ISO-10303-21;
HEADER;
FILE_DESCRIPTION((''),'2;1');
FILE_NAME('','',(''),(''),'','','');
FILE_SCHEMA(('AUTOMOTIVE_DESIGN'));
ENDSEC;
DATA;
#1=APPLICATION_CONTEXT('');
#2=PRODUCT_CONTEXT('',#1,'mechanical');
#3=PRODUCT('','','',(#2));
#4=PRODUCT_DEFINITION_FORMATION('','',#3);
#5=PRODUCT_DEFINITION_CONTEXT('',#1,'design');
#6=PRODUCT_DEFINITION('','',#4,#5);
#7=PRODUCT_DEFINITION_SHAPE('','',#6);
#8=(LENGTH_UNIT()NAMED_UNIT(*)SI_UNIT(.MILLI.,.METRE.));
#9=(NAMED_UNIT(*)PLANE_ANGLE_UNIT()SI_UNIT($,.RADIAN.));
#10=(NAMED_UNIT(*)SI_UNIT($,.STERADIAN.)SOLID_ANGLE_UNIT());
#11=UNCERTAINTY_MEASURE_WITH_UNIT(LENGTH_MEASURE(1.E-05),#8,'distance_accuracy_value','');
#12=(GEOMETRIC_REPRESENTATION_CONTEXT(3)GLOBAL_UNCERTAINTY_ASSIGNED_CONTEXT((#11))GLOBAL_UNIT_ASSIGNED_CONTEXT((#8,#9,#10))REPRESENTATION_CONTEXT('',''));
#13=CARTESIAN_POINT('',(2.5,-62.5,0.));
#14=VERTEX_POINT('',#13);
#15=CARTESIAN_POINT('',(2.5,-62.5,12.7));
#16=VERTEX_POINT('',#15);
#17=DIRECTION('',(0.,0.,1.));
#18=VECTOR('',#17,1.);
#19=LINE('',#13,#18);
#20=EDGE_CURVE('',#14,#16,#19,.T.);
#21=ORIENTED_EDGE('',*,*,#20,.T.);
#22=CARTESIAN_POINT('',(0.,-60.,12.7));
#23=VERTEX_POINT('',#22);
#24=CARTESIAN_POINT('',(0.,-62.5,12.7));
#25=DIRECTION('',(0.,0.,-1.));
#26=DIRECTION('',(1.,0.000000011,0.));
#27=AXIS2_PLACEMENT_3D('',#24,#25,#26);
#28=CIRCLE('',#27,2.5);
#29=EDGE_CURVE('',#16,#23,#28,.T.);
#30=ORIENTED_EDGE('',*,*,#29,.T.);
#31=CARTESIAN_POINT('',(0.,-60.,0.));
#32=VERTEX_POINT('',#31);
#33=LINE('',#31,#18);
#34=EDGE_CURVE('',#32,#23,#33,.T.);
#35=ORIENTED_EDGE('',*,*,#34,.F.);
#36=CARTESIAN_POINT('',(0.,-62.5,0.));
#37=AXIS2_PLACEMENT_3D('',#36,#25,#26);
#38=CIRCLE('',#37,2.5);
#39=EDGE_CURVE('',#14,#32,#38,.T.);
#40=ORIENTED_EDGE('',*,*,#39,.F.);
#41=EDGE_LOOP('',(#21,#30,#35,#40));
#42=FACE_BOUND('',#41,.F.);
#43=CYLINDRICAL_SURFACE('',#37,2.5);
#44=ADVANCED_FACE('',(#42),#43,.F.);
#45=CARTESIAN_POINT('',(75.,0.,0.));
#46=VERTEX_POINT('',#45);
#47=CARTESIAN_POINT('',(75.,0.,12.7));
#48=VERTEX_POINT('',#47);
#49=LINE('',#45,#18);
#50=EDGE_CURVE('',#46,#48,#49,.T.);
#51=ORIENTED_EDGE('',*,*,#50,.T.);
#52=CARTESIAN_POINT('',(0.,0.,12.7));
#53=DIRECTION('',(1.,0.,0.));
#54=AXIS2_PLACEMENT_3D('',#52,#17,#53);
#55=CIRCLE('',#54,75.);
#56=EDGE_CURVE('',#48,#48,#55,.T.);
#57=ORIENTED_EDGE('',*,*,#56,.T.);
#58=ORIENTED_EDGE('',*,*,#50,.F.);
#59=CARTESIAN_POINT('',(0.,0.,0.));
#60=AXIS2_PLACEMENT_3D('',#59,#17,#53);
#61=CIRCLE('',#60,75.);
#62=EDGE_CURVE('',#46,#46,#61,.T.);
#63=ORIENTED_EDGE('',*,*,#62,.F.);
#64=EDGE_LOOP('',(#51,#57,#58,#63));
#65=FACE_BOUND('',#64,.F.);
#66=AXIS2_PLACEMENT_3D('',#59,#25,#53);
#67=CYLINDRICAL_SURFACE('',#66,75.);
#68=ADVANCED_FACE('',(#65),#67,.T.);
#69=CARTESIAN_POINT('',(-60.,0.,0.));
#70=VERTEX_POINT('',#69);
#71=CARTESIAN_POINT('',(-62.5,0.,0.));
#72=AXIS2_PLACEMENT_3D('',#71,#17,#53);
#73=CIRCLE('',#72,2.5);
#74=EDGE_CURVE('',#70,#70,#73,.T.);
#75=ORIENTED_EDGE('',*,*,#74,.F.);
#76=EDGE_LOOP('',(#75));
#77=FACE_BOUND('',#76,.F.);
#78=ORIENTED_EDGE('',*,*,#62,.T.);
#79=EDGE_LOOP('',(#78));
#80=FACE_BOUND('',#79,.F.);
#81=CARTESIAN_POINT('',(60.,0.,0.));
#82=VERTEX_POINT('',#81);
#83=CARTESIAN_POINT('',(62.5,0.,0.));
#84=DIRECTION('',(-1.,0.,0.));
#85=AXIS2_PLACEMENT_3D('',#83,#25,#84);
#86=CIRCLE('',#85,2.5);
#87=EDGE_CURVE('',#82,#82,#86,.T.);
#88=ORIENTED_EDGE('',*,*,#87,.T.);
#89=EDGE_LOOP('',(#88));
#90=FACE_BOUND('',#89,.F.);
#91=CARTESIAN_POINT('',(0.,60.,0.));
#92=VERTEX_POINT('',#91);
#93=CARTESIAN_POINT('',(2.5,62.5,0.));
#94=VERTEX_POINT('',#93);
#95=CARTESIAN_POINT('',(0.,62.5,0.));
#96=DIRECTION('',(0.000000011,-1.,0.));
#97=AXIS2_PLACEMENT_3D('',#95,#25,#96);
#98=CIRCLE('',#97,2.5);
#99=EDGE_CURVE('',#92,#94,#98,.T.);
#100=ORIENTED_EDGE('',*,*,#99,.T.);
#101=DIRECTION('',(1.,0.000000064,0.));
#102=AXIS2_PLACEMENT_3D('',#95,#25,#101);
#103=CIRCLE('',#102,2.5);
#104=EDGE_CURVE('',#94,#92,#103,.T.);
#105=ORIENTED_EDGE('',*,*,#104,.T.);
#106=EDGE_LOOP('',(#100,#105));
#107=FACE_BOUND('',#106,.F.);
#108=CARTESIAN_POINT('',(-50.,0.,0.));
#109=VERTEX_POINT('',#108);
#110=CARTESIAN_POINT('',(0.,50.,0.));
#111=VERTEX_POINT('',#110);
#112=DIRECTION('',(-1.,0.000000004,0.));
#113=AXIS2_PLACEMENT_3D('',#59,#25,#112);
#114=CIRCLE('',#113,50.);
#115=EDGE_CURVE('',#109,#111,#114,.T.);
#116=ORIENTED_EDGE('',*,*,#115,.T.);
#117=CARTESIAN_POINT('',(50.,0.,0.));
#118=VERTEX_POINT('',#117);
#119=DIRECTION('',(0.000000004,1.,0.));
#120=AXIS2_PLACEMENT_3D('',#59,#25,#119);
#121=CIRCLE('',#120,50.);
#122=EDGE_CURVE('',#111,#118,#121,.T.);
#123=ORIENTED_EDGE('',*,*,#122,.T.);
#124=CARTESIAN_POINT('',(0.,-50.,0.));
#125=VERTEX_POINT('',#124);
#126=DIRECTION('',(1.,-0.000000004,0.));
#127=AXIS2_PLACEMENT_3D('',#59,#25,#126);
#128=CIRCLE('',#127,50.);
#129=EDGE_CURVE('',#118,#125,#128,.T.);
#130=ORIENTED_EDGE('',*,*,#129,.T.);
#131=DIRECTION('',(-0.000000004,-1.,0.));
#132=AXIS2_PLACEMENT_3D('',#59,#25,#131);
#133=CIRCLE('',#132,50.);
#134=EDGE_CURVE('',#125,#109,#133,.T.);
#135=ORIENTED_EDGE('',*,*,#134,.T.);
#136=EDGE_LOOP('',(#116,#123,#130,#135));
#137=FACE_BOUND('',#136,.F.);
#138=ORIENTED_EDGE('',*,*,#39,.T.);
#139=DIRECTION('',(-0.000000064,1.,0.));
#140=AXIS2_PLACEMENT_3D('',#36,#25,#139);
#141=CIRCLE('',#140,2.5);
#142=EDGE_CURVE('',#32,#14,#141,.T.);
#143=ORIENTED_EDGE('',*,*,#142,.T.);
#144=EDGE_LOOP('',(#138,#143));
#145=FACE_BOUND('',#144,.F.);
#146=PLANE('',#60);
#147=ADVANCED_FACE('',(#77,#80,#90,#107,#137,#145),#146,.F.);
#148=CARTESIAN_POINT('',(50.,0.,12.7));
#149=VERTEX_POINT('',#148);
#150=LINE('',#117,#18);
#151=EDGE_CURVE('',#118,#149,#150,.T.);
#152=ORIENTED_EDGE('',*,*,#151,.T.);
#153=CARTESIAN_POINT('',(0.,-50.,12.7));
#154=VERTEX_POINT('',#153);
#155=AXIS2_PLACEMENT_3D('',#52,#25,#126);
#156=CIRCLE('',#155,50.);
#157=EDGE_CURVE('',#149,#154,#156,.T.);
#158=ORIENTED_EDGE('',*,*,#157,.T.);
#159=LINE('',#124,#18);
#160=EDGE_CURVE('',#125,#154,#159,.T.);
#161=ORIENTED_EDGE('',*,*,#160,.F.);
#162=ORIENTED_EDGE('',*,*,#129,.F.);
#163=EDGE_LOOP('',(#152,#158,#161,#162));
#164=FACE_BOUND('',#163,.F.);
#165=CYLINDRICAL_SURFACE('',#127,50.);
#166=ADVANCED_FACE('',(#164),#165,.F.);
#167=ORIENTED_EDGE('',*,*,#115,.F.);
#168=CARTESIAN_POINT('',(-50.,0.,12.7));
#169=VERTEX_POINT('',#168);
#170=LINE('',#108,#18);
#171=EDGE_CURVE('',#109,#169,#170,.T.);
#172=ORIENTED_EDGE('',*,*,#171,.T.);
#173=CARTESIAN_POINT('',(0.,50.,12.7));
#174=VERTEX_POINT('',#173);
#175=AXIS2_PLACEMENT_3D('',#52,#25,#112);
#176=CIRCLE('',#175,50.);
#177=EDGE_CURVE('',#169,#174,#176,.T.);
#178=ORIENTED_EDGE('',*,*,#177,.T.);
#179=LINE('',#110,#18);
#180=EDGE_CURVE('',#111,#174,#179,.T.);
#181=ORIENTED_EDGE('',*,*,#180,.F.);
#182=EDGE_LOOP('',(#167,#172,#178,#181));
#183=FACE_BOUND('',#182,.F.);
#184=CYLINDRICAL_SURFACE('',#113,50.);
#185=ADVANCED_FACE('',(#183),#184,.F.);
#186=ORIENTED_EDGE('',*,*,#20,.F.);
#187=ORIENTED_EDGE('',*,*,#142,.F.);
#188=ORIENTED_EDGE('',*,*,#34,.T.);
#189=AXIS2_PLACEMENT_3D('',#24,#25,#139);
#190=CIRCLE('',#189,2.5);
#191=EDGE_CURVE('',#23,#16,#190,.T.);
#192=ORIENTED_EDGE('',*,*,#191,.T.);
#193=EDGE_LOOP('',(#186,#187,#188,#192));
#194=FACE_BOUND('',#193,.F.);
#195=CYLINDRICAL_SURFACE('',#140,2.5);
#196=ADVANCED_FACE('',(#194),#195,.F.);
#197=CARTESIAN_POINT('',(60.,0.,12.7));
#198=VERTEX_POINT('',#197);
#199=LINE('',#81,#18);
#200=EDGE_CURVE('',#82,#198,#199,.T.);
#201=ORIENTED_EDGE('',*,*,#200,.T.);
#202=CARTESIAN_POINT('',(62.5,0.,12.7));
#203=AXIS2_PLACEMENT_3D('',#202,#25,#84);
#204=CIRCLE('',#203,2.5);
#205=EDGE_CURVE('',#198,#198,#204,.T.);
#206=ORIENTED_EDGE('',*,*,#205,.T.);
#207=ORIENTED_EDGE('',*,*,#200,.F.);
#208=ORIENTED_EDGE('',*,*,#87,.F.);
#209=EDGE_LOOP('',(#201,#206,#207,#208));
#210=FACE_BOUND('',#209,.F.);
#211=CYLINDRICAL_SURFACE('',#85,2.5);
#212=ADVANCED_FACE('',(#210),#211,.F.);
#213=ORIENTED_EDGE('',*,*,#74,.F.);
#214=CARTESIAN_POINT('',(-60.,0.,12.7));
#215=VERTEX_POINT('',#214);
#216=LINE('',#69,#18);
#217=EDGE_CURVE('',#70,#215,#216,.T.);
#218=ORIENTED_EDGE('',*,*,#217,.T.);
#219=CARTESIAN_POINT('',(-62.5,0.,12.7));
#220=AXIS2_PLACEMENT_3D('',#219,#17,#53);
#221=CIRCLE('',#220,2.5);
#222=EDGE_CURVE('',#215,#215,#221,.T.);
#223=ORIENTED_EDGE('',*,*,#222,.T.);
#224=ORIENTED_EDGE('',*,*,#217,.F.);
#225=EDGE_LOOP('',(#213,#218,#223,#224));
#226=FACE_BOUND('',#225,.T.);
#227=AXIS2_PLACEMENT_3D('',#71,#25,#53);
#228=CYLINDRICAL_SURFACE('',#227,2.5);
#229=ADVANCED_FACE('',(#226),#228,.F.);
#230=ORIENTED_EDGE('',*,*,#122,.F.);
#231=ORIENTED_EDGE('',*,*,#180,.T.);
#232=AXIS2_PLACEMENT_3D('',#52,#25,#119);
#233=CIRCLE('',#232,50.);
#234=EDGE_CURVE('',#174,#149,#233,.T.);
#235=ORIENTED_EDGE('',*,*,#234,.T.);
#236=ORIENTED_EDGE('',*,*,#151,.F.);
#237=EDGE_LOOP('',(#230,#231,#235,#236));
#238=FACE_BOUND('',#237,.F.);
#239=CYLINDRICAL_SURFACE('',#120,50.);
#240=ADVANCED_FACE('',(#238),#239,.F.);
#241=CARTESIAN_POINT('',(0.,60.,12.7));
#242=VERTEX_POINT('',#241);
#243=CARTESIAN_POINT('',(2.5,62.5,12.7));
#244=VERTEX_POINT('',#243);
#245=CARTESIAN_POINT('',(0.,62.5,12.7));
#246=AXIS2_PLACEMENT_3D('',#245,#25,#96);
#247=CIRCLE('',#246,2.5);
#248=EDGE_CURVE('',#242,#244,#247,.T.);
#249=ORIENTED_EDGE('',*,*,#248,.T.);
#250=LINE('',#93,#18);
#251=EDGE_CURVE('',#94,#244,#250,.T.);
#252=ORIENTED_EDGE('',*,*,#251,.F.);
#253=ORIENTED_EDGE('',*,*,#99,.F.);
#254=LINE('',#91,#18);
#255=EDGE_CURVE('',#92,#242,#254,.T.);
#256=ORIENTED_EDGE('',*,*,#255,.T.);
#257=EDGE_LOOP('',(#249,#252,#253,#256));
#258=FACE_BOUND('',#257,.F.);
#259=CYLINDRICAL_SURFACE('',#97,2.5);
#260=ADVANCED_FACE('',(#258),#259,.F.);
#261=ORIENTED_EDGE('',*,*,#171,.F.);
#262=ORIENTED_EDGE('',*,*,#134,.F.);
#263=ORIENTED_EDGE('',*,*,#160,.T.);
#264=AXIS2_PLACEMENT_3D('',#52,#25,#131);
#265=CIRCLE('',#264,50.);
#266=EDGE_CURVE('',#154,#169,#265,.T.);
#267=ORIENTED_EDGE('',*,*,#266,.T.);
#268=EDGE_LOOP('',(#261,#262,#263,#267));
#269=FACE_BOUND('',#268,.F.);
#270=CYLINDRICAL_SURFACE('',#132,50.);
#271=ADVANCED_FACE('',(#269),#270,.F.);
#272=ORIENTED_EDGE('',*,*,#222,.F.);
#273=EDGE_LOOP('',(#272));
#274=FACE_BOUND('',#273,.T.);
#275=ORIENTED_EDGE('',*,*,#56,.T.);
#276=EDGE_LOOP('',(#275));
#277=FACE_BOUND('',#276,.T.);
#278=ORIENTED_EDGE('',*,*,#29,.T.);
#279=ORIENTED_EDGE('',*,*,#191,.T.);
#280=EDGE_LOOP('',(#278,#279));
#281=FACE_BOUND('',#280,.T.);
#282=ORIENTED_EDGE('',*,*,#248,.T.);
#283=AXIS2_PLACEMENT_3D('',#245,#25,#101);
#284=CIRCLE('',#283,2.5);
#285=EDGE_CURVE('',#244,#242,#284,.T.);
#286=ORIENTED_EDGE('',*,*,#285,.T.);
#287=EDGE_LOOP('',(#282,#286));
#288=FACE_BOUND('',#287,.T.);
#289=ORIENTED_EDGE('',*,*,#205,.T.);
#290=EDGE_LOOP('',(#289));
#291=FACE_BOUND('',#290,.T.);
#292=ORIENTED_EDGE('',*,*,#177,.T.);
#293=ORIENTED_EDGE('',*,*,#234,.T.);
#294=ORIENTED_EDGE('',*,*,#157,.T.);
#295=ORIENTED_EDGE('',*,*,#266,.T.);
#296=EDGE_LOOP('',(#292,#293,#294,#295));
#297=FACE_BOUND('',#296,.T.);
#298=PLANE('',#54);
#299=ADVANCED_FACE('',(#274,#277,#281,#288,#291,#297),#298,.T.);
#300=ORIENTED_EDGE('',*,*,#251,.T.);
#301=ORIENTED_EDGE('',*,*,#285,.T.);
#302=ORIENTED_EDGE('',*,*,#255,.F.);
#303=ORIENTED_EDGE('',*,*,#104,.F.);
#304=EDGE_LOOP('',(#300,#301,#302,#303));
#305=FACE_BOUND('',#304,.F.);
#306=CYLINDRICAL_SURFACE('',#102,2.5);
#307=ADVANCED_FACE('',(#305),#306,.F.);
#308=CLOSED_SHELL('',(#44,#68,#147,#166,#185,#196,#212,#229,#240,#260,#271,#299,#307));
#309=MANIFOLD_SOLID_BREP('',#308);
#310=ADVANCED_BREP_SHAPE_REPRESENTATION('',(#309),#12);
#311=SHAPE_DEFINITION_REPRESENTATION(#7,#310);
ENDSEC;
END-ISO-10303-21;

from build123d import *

# Parameters (mm, degrees)
F0_R     = 75
F0_R_2   = 2.5
F1_DEPTH = 12.7


with BuildPart() as f1:
    # F0 (on Top) → F1 (new body)
    with BuildSketch(Plane.XY):
        Circle(F0_R)
        with BuildLine():
            ThreePointArc((2.5, -62.5), (-1.767767, -64.267767), (0, -60))
            ThreePointArc((0, -60), (1.767767, -60.732233), (2.5, -62.5))
        make_face(mode=Mode.SUBTRACT)
        with Locations((-62.5, 0)):
            Circle(F0_R_2, mode=Mode.SUBTRACT)
        with BuildLine():
            ThreePointArc((0, 50), (35.355339, 35.355339), (50, 0))
            ThreePointArc((50, 0), (35.355339, -35.355339), (0, -50))
            ThreePointArc((0, -50), (-35.355339, -35.355339), (-50, 0))
            ThreePointArc((-50, 0), (-35.355339, 35.355339), (0, 50))
        make_face(mode=Mode.SUBTRACT)
        with BuildLine():
            ThreePointArc((65, 0), (62.5, -2.5), (60, 0))
            ThreePointArc((60, 0), (62.5, 2.5), (65, 0))
        make_face(mode=Mode.SUBTRACT)
        with BuildLine():
            ThreePointArc((2.5, 62.5), (1.767767, 60.732233), (0, 60))
            ThreePointArc((0, 60), (-1.767767, 64.267767), (2.5, 62.5))
        make_face(mode=Mode.SUBTRACT)
    extrude(amount=F1_DEPTH)


solid = f1.part
